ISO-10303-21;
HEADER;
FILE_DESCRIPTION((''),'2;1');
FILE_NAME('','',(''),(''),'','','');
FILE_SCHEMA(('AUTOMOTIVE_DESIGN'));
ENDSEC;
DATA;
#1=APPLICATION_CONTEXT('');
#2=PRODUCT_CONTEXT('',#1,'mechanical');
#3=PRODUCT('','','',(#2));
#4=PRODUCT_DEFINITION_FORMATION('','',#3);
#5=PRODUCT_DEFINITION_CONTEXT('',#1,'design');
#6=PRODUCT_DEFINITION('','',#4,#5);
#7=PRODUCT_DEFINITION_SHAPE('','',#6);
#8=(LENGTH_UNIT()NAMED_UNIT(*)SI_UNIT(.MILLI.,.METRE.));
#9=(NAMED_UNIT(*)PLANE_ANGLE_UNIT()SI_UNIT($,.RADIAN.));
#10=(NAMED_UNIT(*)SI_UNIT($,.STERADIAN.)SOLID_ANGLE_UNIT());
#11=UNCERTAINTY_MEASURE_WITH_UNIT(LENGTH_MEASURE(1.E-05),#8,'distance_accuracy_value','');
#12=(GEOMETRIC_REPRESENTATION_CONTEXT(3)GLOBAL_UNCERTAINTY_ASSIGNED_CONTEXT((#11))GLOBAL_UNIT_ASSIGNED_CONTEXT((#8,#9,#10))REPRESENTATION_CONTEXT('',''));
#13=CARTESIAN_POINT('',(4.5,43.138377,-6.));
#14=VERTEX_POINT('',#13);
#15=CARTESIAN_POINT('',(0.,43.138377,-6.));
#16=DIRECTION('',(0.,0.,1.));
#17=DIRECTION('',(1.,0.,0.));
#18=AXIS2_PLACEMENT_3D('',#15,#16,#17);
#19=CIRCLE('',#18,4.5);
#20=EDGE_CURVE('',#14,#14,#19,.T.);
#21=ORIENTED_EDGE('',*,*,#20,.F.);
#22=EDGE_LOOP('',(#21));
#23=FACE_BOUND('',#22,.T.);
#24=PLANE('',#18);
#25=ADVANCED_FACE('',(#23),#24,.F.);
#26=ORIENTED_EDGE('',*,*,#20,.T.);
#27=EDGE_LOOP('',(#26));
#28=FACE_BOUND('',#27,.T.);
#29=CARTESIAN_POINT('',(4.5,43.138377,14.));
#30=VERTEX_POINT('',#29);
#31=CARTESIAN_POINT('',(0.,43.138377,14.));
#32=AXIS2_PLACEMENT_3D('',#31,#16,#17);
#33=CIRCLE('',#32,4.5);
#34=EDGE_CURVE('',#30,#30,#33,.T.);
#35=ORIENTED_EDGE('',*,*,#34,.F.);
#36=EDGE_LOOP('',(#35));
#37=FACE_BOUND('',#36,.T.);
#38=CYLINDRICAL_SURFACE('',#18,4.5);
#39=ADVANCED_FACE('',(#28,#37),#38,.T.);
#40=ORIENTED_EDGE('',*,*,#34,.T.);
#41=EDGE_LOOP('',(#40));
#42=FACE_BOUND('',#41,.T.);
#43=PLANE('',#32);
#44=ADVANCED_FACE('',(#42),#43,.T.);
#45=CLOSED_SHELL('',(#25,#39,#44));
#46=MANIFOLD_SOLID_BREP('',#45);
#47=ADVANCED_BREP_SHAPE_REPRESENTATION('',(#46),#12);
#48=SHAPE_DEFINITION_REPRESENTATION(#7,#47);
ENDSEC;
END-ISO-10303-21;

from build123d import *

# Parameters (mm, degrees)
SKETCH1_R                = 4.5
BOSS_EXTRUDE1_DEPTH      = 14
BOSS_EXTRUDE1_DEPTH_BACK = 6


with BuildPart() as part:
    # Sketch1 → Boss-Extrude1 (new body, two sides)
    with BuildSketch(Plane.XY) as boss_extrude1_sk:
        with Locations((0, 43.138377069)):
            Circle(SKETCH1_R)
    extrude(amount=BOSS_EXTRUDE1_DEPTH)
    extrude(boss_extrude1_sk.sketch, amount=-BOSS_EXTRUDE1_DEPTH_BACK)


solid = part.part
